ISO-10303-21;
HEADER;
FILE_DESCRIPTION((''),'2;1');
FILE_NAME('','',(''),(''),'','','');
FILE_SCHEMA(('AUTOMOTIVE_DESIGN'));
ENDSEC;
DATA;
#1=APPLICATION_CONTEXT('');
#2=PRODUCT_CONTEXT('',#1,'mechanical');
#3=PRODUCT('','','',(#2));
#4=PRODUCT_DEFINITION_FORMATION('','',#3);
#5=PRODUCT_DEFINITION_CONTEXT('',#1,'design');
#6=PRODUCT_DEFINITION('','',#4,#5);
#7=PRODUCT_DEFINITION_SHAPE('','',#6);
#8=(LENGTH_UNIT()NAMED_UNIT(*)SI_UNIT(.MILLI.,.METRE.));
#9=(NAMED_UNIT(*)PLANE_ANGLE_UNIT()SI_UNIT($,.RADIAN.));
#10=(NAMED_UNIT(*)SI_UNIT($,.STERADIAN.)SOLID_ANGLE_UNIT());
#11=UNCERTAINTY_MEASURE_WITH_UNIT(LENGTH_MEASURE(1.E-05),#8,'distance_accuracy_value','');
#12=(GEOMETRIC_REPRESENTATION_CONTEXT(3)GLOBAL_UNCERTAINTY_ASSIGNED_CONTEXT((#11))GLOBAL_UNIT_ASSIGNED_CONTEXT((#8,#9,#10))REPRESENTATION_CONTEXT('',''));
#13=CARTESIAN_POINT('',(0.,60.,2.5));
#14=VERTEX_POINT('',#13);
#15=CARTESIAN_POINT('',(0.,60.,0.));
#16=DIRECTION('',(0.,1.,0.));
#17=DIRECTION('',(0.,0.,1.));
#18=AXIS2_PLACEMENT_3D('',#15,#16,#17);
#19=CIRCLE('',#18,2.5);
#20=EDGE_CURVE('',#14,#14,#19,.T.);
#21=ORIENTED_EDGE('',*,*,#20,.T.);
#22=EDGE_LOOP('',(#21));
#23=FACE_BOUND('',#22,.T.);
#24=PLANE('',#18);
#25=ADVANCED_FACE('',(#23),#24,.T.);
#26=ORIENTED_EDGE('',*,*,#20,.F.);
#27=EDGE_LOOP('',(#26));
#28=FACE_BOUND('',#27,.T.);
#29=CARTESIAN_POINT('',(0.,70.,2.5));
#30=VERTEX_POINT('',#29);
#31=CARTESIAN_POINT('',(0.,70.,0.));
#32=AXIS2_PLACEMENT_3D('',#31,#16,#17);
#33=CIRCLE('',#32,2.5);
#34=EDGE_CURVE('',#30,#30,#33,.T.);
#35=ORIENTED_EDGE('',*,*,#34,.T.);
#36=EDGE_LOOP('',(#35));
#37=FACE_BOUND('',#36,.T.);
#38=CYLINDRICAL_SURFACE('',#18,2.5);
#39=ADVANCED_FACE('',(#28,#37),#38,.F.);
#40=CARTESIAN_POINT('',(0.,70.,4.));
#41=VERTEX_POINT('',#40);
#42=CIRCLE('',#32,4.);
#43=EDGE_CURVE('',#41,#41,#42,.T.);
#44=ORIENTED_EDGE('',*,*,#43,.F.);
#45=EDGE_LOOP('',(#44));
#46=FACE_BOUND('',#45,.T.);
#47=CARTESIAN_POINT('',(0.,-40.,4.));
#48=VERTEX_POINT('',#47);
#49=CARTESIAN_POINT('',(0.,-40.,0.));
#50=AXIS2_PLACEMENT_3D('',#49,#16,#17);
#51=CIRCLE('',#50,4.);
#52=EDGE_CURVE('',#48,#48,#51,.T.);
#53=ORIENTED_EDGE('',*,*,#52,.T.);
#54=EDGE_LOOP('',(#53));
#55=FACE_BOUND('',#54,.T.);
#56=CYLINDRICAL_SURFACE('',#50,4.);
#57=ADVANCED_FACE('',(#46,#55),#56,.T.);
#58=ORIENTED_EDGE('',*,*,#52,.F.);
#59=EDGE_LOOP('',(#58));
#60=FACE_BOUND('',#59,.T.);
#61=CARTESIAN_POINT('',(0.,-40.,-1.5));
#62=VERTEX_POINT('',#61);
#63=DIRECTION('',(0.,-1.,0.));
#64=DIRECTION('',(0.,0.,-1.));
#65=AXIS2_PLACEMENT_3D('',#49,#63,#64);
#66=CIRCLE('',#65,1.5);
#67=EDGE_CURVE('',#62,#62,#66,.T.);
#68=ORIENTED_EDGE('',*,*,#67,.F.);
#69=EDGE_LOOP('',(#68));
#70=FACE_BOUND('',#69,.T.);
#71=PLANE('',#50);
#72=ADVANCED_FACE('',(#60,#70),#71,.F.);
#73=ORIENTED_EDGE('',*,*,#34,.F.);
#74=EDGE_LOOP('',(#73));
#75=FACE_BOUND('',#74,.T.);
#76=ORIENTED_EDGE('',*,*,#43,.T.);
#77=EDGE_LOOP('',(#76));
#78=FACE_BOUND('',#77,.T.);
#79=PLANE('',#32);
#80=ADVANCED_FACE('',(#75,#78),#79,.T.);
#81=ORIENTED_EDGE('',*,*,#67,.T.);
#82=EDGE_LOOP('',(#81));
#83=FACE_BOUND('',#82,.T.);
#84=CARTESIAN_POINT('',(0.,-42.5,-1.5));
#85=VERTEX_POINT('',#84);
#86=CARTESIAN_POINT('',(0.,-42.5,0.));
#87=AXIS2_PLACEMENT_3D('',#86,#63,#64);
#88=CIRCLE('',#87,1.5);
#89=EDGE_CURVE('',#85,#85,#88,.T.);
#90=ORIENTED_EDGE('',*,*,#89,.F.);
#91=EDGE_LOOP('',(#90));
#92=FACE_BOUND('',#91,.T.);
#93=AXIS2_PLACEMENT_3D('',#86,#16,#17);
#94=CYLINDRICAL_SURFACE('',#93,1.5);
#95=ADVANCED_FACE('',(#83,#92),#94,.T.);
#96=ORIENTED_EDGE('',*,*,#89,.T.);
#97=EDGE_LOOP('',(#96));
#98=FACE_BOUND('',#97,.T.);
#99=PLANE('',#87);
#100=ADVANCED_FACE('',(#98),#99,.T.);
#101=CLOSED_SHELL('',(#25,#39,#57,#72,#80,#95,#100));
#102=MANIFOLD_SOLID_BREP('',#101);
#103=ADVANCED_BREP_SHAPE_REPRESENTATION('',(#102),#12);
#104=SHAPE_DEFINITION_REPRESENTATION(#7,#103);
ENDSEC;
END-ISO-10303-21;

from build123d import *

# Parameters (mm, degrees)
SKETCH1_R           = 4
BOSS_EXTRUDE1_DEPTH = 40
SKETCH2_R           = 1.5
BOSS_EXTRUDE2_DEPTH = 2.5
BOSS_EXTRUDE3_START = 70
SKETCH3_R           = 4
BOSS_EXTRUDE3_DEPTH = 70
SKETCH4_R           = 2.5
CUT_EXTRUDE1_DEPTH  = 10


with BuildPart() as part:
    # Sketch1 → Boss-Extrude1 (new body)
    with BuildSketch(Plane(origin=(0, 0, 0), x_dir=(1, 0, 0), z_dir=(0, 1, 0))):
        with Locations(Location((0, 0, 0), (0, 0, 270))):
            Circle(SKETCH1_R)
    extrude(amount=-BOSS_EXTRUDE1_DEPTH)

    # Sketch2 → Boss-Extrude2 (add)
    with BuildSketch(Plane.XZ.offset(40)):
        with Locations(Location((0, 0, 0), (0, 0, 270))):
            Circle(SKETCH2_R)
    extrude(amount=BOSS_EXTRUDE2_DEPTH)

    # Sketch3 → Boss-Extrude3 (add)
    with BuildSketch(Plane(origin=(0, 0, 0), x_dir=(1, 0, 0), z_dir=(0, 1, 0)).offset(BOSS_EXTRUDE3_START)):
        with Locations(Location((0, 0, 0), (0, 0, 270))):
            Circle(SKETCH3_R)
    extrude(amount=-BOSS_EXTRUDE3_DEPTH)

    # Sketch4 → Cut-Extrude1 (cut)
    with BuildSketch(Plane(origin=(0, 70, 0), x_dir=(1, 0, 0), z_dir=(0, 1, 0))):
        with Locations(Location((0, 0, 0), (0, 0, 270))):
            Circle(SKETCH4_R)
    extrude(amount=-CUT_EXTRUDE1_DEPTH, mode=Mode.SUBTRACT)


solid = part.part
